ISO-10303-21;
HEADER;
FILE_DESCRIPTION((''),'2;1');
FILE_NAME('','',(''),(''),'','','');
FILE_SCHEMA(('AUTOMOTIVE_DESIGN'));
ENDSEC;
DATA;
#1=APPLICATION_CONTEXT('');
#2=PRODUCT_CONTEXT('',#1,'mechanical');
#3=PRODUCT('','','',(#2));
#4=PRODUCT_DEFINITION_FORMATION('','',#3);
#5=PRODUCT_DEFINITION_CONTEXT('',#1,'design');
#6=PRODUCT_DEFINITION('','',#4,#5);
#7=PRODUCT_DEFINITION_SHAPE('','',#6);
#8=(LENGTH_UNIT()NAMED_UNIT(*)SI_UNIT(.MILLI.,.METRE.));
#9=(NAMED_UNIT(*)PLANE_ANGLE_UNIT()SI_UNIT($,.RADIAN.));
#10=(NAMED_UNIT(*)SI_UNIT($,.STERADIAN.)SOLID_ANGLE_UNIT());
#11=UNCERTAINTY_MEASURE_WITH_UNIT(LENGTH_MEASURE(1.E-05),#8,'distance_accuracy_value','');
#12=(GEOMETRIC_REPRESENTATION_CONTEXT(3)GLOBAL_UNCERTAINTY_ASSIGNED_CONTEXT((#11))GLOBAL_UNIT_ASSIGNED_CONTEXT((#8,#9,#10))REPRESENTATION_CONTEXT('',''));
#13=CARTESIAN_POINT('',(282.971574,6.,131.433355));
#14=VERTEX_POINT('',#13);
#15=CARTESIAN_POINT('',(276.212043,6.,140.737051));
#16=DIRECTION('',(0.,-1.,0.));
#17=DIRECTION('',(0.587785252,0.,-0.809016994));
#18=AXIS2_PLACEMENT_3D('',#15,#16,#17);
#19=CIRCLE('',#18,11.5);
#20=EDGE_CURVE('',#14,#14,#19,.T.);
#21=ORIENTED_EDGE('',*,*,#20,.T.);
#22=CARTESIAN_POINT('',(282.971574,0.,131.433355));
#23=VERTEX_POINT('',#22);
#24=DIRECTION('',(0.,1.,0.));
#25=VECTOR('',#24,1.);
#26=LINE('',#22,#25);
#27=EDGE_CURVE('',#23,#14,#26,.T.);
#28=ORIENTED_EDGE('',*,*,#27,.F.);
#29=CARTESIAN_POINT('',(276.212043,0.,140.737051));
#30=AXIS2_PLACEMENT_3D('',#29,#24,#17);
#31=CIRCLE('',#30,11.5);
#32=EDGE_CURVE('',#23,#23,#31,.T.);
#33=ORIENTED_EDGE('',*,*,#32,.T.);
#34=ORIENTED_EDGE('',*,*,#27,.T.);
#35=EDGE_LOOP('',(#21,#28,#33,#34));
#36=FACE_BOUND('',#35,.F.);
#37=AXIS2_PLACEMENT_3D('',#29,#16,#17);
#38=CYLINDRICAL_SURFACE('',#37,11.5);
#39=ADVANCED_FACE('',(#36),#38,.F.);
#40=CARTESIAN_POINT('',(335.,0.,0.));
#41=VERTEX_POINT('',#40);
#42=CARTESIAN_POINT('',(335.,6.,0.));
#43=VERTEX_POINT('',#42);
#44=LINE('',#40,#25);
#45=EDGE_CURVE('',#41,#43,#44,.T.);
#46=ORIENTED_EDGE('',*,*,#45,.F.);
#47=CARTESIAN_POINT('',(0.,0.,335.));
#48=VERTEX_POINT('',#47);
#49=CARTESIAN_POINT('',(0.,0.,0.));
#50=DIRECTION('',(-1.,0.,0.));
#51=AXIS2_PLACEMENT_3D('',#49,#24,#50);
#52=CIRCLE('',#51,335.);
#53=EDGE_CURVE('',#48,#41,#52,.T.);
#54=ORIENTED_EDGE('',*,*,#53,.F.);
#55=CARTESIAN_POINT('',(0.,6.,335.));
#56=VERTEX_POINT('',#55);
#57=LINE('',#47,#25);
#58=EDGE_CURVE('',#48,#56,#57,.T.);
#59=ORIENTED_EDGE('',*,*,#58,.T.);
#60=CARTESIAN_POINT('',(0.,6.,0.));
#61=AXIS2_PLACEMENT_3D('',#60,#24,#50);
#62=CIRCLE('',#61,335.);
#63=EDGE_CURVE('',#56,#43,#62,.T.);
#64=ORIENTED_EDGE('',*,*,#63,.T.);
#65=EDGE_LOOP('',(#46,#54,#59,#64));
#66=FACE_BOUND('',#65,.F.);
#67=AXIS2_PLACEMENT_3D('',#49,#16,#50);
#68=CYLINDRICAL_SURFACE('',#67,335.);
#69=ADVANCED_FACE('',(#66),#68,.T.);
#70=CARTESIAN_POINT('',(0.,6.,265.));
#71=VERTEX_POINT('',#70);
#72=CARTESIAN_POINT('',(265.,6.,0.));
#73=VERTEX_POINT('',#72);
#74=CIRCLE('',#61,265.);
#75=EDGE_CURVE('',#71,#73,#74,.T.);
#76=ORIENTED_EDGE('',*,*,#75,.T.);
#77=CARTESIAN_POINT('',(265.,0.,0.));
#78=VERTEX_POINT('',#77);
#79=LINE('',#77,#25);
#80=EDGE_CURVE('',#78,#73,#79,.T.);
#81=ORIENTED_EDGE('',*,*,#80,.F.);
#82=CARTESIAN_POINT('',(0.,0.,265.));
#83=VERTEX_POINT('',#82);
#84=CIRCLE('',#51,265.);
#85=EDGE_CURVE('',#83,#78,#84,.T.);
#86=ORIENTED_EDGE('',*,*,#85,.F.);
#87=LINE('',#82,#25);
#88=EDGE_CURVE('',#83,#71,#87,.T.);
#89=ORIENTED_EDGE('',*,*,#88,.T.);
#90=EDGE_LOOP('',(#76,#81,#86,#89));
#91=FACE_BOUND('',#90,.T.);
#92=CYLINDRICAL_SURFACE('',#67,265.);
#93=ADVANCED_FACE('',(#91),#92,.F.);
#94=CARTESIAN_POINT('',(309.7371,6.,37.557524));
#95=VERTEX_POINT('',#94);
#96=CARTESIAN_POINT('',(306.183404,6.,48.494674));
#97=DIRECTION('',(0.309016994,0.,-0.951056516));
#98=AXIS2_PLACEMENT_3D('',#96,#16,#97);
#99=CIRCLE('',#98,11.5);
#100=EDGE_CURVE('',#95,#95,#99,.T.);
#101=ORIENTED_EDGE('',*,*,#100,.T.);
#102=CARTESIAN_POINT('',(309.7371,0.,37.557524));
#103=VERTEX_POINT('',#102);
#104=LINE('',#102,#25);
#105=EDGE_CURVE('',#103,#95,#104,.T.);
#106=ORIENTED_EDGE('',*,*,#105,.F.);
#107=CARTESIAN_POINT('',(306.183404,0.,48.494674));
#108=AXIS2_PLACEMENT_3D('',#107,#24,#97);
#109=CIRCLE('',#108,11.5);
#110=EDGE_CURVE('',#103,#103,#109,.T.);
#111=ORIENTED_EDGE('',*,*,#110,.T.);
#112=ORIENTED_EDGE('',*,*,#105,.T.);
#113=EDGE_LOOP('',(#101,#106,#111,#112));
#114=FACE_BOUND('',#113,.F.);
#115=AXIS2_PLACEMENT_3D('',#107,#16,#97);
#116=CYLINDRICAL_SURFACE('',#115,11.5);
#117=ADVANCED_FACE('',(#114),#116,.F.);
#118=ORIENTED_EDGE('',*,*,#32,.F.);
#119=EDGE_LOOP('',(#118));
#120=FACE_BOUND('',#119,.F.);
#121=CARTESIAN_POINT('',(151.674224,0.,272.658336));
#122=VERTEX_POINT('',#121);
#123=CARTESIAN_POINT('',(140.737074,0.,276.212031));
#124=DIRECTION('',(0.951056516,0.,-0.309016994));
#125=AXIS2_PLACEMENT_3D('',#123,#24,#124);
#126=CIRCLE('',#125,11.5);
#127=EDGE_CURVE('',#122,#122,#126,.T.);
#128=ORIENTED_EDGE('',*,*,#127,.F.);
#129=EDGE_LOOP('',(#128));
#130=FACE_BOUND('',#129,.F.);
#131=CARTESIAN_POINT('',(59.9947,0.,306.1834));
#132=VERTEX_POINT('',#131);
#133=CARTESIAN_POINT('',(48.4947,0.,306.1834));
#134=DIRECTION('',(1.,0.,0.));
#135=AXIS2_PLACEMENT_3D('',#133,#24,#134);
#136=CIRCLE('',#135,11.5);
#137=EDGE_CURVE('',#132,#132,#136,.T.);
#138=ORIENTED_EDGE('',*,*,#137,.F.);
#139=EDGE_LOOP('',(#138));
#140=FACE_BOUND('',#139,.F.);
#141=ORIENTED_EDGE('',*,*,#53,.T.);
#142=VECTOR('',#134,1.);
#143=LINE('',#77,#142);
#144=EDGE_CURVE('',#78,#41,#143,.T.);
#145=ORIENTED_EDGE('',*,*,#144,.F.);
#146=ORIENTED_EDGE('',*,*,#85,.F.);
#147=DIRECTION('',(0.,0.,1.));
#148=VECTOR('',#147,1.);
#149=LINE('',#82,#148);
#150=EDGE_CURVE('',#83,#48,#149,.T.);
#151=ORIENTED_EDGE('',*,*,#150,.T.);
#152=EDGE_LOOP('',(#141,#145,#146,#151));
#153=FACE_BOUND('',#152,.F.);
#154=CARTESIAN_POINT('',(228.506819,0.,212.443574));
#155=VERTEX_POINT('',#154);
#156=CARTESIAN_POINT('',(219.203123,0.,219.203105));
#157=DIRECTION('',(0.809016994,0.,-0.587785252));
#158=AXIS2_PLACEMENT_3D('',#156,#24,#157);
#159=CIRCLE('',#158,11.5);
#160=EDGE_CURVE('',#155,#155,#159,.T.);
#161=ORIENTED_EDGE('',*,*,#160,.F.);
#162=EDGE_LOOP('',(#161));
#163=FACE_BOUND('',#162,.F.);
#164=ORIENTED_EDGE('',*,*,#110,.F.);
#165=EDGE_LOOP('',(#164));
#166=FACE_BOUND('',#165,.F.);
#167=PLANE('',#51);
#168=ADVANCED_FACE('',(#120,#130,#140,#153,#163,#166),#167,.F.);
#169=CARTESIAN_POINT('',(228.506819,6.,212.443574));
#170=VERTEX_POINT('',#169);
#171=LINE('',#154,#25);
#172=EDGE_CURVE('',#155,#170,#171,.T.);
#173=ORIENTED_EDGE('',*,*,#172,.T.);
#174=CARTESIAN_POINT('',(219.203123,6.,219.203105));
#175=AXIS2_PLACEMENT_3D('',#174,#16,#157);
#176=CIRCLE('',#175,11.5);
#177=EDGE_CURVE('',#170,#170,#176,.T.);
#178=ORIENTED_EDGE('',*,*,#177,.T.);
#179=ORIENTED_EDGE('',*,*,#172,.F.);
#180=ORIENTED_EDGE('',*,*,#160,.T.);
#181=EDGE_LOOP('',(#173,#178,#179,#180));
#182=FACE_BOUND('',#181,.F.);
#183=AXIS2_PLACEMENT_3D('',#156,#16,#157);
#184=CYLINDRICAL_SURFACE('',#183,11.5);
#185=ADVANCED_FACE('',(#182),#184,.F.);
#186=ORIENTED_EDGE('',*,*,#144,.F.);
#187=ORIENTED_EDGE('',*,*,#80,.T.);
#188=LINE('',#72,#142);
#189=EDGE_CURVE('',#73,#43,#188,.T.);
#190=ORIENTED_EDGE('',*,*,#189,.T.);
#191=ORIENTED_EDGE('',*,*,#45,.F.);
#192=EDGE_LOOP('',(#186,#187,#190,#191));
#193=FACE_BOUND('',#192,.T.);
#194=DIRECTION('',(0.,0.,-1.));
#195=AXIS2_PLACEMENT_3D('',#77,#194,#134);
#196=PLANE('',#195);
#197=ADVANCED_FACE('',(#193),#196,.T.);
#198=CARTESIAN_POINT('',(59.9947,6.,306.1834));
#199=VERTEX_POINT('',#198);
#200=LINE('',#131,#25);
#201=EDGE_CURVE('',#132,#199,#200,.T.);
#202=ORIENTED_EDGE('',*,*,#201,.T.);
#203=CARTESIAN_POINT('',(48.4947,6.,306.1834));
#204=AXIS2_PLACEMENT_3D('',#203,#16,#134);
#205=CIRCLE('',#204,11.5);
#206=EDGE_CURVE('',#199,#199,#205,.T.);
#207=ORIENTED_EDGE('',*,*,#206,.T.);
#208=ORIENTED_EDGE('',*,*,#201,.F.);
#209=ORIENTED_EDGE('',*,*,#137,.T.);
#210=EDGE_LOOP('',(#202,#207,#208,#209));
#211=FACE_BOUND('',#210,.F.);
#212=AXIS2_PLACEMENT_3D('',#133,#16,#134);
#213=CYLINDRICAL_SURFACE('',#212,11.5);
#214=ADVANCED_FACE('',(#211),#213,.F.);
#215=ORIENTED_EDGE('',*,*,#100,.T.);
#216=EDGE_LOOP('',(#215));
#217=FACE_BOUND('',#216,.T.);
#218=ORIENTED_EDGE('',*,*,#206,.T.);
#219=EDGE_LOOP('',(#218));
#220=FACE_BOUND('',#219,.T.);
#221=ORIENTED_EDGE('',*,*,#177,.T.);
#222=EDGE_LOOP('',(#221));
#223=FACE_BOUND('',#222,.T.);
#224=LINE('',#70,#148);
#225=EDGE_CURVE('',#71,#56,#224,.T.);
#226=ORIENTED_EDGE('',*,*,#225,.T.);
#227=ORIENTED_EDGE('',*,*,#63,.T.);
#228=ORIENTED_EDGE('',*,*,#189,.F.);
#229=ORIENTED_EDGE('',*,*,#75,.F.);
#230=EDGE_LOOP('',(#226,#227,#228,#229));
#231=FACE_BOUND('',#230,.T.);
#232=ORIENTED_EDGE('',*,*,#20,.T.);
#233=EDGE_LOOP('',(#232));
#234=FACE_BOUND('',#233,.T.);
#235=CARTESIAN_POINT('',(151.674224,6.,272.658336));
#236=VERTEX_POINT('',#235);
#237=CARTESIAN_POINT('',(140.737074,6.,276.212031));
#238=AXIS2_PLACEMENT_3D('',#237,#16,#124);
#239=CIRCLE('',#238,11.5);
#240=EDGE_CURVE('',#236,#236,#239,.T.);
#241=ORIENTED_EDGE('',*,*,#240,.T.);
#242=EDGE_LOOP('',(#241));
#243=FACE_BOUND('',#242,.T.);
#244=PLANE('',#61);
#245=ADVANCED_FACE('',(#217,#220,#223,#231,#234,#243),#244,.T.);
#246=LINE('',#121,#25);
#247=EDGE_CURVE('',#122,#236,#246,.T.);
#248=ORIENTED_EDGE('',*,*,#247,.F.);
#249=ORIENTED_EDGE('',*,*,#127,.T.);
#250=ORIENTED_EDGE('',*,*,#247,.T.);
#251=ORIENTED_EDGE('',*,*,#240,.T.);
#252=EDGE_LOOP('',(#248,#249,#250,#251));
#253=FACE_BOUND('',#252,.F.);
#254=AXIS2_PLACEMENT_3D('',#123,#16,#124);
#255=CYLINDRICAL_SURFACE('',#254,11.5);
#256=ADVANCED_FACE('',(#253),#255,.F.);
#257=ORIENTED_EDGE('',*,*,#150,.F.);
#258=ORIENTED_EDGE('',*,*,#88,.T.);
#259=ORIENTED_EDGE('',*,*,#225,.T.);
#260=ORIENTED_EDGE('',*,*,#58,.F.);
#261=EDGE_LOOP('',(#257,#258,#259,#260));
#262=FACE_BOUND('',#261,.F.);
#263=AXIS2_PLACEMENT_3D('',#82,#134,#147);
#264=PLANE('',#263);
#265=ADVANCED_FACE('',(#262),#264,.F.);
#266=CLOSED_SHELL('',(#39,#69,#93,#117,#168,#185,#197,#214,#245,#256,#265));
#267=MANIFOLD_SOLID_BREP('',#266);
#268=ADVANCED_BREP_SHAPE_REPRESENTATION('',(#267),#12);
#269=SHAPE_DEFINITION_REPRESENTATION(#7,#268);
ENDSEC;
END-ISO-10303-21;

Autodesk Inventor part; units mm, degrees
ref_plane "YZ Plane" through (0, 0, 0) normal (1, 0, 0) x (0, 1, 0)
ref_plane "XZ Plane" through (0, 0, 0) normal (0, 1, 0) x (-1, 0, 0)
ref_plane "XY Plane" through (0, 0, 0) normal (0, 0, 1) x (1, 0, 0)
sketch "Sketch1" plane through (0, 0, 0) normal (0, 1, 0) x (-1, 0, 0)
  circle A0 centre (0, 0) radius 265
  circle A1 centre (0, 0) radius 335
  line L0 (335, 0) -> (265, 0)
  line L1 (-265, 0) -> (-335, 0)
  line L2 (0, 265) -> (0, 335)
  point P0 (300, 0)
  point P1 (-300, 0)
  point P2 (0, 300)
  dimension "d1" = 670
  dimension "d4" = 530
extrude "Extrusion1" add sketch "Sketch1" along normal blind 6 contours A0 L1 A1 L2
sketch "Sketch2" plane through (0, 0, 0) normal (0, -1, 0) x (1, 0, 0)
  arc A0 (335, 0) -> (0, 335) centre (0, 0) ccw projected
  line L0 (0, 265) -> (0, 335) projected
  arc A1 (265, 0) -> (0, 265) centre (0, 0) ccw projected
  line L1 (335, 0) -> (265, 0) projected
  circle A2 centre (48.4947, 306.1834) radius 11.5
  arc A3 (265, 0) -> (0, 265) centre (0, 0) ccw projected
  line L2 (48.4947, 306.1834) -> (0, 0)
  dimension "d5" = 310
  dimension "d6" = 9
  dimension "d7" = 23
extrude "Cut1" cut sketch "Sketch2" against normal blind 8 contours A2
pattern_circular "Circular Pattern1" count 20 over 360 about axis through (0, 0, 0) along (0, 1, 0) of "Cut1"
equation "\"d4\" = Accsess_hatch_diameter"
equation "\"d9\" = Thickness"
equation "\"BendRadius\" = Thickness"
equation "\"BendReliefWidth\" = Thickness"
equation "\"BendReliefDepth\" = 0.5 * Thickness"
equation "\"CornerReliefSize\" = 4 * Thickness"
equation "\"MinimumRemnant\" = 2 * Thickness"
equation "\"TransitionRadius\" = BendRadius"
equation "\"JacobiRadiusSize\" = BendRadius"
equation "\"GapSize\" = Thickness"
equation "\"d8\" = Thickness"
equation "\"Accsess_hatch_diameter\" = 530"
equation "\"Thickness\" = 8"
properties part number "PNS-612 accses hatch flangeipt"
